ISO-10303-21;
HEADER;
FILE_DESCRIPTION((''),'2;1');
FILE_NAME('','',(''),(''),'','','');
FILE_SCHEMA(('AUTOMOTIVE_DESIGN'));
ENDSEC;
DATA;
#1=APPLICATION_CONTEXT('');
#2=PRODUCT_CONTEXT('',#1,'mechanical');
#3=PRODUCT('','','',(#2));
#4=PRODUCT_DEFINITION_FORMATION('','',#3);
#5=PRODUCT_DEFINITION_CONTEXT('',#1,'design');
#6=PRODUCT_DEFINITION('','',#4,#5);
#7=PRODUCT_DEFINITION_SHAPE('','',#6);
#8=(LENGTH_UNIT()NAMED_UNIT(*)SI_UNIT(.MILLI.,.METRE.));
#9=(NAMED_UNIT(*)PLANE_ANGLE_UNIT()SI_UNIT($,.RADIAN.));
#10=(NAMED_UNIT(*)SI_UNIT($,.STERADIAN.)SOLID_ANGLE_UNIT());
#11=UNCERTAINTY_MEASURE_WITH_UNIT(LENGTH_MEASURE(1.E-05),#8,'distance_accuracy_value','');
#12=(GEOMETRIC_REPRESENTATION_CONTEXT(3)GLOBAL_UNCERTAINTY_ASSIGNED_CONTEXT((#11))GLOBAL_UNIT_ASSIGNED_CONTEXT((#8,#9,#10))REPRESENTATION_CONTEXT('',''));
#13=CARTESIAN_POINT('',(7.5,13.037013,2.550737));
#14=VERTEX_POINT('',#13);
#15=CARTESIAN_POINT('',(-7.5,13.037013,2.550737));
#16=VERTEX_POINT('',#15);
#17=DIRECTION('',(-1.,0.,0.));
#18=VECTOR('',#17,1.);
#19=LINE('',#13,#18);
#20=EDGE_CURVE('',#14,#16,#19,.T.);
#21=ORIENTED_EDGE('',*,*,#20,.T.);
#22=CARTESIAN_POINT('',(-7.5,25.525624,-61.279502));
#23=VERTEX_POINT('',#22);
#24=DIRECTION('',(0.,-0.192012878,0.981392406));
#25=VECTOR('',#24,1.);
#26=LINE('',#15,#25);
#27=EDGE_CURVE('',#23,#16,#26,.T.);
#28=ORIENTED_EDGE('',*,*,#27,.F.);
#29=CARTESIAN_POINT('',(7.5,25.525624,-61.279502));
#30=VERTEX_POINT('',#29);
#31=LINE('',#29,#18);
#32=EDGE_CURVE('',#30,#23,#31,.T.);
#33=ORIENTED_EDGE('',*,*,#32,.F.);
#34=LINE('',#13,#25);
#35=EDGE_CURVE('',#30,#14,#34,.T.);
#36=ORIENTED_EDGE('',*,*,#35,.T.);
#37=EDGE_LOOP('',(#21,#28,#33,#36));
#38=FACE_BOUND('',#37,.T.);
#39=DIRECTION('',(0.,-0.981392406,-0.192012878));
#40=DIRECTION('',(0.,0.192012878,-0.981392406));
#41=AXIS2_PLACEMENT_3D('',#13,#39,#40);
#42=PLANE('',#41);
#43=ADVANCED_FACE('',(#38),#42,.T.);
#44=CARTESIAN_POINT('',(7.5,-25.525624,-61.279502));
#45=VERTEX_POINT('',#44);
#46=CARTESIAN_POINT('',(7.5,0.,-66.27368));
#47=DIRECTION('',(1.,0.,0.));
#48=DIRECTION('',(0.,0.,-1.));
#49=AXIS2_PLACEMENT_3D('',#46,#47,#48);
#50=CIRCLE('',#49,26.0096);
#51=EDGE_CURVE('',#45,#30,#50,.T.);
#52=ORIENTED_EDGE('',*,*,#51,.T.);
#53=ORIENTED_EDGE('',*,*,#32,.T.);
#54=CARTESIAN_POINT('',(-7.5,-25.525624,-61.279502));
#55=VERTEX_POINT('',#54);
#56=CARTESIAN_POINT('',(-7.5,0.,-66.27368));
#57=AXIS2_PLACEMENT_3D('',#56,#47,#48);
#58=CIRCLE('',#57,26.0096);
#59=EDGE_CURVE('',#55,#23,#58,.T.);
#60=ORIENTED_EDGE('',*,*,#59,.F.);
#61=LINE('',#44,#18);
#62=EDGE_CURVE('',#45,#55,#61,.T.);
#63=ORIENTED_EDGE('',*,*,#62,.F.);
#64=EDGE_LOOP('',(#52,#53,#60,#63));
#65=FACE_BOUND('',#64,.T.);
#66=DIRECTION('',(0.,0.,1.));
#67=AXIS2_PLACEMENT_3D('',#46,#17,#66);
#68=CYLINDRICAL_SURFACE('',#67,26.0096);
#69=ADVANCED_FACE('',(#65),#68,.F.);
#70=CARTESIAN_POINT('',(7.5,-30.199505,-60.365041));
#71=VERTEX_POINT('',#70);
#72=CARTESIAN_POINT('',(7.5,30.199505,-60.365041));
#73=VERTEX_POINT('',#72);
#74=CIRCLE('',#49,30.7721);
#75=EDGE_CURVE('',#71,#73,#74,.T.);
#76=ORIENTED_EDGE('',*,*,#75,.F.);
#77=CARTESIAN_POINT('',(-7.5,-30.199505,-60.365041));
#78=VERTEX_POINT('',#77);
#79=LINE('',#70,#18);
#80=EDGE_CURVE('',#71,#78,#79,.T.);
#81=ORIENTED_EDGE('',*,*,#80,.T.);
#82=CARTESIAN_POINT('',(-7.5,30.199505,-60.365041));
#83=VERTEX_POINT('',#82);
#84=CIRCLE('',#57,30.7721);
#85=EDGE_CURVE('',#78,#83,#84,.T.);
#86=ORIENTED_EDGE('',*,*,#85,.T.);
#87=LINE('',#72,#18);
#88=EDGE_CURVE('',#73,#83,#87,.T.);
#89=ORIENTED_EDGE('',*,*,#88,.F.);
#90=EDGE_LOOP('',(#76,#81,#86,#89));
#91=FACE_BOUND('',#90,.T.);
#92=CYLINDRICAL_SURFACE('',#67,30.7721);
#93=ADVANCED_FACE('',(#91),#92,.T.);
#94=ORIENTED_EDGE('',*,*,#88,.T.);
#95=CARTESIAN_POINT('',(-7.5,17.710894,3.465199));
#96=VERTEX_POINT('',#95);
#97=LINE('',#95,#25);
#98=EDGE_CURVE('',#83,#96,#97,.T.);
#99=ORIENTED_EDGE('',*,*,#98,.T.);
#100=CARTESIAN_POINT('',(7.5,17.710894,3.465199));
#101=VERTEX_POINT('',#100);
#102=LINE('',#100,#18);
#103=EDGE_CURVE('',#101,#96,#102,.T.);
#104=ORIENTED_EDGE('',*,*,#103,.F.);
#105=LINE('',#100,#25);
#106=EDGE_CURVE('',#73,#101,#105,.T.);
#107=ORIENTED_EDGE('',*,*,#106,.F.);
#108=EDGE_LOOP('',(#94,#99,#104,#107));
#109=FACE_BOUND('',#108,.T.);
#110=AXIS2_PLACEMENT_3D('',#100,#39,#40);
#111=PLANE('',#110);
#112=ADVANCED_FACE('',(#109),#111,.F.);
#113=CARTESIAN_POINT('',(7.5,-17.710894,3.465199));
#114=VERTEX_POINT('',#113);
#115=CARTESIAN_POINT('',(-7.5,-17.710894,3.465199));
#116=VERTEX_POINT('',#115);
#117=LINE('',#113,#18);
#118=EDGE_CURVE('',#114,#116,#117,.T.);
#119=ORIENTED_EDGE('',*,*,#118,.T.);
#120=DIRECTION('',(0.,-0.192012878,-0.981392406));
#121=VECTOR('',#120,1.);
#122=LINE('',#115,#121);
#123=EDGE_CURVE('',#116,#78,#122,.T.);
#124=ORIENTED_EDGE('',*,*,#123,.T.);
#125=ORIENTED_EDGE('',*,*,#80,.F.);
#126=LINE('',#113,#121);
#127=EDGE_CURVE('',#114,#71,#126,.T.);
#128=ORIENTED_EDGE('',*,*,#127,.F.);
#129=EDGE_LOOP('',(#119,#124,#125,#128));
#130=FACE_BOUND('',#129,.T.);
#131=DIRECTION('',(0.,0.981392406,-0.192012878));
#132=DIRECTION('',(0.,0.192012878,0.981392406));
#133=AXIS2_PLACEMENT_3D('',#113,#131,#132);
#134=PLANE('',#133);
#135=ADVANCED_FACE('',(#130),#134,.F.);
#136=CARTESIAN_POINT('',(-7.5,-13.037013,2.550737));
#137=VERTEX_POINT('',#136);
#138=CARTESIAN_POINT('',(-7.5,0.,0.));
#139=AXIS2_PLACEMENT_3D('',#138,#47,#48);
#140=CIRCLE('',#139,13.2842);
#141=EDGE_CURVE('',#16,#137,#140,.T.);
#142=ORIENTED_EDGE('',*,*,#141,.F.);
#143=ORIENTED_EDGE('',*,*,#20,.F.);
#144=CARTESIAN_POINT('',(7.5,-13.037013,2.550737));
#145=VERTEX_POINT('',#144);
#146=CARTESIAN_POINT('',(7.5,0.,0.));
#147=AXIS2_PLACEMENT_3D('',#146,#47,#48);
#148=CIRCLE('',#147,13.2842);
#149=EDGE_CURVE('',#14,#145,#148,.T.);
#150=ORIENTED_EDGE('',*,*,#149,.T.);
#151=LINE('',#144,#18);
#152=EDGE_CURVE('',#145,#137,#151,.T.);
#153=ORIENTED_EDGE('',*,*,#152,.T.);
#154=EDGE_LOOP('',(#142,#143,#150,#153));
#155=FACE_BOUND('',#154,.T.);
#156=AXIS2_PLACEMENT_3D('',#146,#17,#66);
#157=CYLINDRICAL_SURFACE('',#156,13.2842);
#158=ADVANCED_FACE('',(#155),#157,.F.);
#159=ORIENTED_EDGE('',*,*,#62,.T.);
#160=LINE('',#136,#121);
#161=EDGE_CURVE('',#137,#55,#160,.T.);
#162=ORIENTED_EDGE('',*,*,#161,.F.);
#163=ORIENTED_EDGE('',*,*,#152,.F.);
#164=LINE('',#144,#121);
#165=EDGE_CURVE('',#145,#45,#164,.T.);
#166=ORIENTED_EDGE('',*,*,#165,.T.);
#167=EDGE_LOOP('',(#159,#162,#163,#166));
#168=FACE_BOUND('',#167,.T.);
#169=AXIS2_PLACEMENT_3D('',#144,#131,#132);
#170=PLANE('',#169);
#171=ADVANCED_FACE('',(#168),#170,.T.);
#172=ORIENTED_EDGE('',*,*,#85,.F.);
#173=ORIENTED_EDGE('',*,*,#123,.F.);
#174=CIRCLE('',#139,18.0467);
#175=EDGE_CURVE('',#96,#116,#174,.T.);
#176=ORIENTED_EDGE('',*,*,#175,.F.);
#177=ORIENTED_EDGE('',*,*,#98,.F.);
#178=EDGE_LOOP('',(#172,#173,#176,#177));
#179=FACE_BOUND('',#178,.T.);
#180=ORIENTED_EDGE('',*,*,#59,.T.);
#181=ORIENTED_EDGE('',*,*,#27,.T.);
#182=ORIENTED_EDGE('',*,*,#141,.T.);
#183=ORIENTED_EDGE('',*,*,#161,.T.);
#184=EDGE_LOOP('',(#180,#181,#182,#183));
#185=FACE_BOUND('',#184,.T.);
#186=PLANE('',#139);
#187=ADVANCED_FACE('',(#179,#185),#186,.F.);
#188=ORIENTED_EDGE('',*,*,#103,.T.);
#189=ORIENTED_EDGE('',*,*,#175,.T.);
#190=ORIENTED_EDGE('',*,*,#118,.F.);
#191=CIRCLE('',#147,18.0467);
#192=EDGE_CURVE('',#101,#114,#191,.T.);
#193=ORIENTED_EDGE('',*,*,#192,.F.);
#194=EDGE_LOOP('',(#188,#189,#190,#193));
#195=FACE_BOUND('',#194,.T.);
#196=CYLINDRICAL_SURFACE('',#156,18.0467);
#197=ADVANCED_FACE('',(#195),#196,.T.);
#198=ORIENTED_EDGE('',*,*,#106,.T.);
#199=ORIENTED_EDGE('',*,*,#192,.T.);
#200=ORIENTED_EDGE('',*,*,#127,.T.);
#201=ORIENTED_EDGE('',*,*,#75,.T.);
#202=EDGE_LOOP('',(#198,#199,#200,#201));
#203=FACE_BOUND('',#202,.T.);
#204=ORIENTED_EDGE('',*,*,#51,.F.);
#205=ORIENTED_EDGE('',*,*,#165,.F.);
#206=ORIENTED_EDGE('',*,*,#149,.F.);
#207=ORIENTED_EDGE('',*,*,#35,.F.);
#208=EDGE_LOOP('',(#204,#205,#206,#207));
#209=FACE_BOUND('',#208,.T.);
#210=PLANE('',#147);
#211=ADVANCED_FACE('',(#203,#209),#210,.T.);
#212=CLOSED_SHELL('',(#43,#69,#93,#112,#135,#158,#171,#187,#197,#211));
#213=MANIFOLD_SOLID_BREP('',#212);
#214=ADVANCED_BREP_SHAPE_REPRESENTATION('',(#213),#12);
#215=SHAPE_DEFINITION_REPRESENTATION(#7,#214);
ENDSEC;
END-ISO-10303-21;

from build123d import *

# Parameters (mm, degrees)
BOSS_EXTRUDE1_DEPTH = 7.5


with BuildPart() as part:
    # Sketch1 → Boss-Extrude1 (new, symmetric)
    with BuildSketch(Plane(origin=(0, 0, 0), x_dir=(0, 0, -1), z_dir=(1, 0, 0))):
        with BuildLine():
            Line((-3.465198797, 17.710894336), (60.365040532, 30.199505262))
            ThreePointArc((60.365040532, 30.199505262), (97.04578, 0), (60.365040532, -30.199505262))
            Line((60.365040532, -30.199505262), (-3.465198797, -17.710894336))
            ThreePointArc((-3.465198797, -17.710894336), (-18.0467, 0), (-3.465198797, 17.710894336))
        make_face()
        with BuildLine():
            Line((-2.550737467, 13.037013002), (61.279501861, 25.525623927))
            ThreePointArc((61.279501861, 25.525623927), (92.28328, 0), (61.279501861, -25.525623927))
            Line((61.279501861, -25.525623927), (-2.550737467, -13.037013002))
            ThreePointArc((-2.550737467, -13.037013002), (-13.2842, 0), (-2.550737467, 13.037013002))
        make_face(mode=Mode.SUBTRACT)
    extrude(amount=BOSS_EXTRUDE1_DEPTH, both=True)


solid = part.part
